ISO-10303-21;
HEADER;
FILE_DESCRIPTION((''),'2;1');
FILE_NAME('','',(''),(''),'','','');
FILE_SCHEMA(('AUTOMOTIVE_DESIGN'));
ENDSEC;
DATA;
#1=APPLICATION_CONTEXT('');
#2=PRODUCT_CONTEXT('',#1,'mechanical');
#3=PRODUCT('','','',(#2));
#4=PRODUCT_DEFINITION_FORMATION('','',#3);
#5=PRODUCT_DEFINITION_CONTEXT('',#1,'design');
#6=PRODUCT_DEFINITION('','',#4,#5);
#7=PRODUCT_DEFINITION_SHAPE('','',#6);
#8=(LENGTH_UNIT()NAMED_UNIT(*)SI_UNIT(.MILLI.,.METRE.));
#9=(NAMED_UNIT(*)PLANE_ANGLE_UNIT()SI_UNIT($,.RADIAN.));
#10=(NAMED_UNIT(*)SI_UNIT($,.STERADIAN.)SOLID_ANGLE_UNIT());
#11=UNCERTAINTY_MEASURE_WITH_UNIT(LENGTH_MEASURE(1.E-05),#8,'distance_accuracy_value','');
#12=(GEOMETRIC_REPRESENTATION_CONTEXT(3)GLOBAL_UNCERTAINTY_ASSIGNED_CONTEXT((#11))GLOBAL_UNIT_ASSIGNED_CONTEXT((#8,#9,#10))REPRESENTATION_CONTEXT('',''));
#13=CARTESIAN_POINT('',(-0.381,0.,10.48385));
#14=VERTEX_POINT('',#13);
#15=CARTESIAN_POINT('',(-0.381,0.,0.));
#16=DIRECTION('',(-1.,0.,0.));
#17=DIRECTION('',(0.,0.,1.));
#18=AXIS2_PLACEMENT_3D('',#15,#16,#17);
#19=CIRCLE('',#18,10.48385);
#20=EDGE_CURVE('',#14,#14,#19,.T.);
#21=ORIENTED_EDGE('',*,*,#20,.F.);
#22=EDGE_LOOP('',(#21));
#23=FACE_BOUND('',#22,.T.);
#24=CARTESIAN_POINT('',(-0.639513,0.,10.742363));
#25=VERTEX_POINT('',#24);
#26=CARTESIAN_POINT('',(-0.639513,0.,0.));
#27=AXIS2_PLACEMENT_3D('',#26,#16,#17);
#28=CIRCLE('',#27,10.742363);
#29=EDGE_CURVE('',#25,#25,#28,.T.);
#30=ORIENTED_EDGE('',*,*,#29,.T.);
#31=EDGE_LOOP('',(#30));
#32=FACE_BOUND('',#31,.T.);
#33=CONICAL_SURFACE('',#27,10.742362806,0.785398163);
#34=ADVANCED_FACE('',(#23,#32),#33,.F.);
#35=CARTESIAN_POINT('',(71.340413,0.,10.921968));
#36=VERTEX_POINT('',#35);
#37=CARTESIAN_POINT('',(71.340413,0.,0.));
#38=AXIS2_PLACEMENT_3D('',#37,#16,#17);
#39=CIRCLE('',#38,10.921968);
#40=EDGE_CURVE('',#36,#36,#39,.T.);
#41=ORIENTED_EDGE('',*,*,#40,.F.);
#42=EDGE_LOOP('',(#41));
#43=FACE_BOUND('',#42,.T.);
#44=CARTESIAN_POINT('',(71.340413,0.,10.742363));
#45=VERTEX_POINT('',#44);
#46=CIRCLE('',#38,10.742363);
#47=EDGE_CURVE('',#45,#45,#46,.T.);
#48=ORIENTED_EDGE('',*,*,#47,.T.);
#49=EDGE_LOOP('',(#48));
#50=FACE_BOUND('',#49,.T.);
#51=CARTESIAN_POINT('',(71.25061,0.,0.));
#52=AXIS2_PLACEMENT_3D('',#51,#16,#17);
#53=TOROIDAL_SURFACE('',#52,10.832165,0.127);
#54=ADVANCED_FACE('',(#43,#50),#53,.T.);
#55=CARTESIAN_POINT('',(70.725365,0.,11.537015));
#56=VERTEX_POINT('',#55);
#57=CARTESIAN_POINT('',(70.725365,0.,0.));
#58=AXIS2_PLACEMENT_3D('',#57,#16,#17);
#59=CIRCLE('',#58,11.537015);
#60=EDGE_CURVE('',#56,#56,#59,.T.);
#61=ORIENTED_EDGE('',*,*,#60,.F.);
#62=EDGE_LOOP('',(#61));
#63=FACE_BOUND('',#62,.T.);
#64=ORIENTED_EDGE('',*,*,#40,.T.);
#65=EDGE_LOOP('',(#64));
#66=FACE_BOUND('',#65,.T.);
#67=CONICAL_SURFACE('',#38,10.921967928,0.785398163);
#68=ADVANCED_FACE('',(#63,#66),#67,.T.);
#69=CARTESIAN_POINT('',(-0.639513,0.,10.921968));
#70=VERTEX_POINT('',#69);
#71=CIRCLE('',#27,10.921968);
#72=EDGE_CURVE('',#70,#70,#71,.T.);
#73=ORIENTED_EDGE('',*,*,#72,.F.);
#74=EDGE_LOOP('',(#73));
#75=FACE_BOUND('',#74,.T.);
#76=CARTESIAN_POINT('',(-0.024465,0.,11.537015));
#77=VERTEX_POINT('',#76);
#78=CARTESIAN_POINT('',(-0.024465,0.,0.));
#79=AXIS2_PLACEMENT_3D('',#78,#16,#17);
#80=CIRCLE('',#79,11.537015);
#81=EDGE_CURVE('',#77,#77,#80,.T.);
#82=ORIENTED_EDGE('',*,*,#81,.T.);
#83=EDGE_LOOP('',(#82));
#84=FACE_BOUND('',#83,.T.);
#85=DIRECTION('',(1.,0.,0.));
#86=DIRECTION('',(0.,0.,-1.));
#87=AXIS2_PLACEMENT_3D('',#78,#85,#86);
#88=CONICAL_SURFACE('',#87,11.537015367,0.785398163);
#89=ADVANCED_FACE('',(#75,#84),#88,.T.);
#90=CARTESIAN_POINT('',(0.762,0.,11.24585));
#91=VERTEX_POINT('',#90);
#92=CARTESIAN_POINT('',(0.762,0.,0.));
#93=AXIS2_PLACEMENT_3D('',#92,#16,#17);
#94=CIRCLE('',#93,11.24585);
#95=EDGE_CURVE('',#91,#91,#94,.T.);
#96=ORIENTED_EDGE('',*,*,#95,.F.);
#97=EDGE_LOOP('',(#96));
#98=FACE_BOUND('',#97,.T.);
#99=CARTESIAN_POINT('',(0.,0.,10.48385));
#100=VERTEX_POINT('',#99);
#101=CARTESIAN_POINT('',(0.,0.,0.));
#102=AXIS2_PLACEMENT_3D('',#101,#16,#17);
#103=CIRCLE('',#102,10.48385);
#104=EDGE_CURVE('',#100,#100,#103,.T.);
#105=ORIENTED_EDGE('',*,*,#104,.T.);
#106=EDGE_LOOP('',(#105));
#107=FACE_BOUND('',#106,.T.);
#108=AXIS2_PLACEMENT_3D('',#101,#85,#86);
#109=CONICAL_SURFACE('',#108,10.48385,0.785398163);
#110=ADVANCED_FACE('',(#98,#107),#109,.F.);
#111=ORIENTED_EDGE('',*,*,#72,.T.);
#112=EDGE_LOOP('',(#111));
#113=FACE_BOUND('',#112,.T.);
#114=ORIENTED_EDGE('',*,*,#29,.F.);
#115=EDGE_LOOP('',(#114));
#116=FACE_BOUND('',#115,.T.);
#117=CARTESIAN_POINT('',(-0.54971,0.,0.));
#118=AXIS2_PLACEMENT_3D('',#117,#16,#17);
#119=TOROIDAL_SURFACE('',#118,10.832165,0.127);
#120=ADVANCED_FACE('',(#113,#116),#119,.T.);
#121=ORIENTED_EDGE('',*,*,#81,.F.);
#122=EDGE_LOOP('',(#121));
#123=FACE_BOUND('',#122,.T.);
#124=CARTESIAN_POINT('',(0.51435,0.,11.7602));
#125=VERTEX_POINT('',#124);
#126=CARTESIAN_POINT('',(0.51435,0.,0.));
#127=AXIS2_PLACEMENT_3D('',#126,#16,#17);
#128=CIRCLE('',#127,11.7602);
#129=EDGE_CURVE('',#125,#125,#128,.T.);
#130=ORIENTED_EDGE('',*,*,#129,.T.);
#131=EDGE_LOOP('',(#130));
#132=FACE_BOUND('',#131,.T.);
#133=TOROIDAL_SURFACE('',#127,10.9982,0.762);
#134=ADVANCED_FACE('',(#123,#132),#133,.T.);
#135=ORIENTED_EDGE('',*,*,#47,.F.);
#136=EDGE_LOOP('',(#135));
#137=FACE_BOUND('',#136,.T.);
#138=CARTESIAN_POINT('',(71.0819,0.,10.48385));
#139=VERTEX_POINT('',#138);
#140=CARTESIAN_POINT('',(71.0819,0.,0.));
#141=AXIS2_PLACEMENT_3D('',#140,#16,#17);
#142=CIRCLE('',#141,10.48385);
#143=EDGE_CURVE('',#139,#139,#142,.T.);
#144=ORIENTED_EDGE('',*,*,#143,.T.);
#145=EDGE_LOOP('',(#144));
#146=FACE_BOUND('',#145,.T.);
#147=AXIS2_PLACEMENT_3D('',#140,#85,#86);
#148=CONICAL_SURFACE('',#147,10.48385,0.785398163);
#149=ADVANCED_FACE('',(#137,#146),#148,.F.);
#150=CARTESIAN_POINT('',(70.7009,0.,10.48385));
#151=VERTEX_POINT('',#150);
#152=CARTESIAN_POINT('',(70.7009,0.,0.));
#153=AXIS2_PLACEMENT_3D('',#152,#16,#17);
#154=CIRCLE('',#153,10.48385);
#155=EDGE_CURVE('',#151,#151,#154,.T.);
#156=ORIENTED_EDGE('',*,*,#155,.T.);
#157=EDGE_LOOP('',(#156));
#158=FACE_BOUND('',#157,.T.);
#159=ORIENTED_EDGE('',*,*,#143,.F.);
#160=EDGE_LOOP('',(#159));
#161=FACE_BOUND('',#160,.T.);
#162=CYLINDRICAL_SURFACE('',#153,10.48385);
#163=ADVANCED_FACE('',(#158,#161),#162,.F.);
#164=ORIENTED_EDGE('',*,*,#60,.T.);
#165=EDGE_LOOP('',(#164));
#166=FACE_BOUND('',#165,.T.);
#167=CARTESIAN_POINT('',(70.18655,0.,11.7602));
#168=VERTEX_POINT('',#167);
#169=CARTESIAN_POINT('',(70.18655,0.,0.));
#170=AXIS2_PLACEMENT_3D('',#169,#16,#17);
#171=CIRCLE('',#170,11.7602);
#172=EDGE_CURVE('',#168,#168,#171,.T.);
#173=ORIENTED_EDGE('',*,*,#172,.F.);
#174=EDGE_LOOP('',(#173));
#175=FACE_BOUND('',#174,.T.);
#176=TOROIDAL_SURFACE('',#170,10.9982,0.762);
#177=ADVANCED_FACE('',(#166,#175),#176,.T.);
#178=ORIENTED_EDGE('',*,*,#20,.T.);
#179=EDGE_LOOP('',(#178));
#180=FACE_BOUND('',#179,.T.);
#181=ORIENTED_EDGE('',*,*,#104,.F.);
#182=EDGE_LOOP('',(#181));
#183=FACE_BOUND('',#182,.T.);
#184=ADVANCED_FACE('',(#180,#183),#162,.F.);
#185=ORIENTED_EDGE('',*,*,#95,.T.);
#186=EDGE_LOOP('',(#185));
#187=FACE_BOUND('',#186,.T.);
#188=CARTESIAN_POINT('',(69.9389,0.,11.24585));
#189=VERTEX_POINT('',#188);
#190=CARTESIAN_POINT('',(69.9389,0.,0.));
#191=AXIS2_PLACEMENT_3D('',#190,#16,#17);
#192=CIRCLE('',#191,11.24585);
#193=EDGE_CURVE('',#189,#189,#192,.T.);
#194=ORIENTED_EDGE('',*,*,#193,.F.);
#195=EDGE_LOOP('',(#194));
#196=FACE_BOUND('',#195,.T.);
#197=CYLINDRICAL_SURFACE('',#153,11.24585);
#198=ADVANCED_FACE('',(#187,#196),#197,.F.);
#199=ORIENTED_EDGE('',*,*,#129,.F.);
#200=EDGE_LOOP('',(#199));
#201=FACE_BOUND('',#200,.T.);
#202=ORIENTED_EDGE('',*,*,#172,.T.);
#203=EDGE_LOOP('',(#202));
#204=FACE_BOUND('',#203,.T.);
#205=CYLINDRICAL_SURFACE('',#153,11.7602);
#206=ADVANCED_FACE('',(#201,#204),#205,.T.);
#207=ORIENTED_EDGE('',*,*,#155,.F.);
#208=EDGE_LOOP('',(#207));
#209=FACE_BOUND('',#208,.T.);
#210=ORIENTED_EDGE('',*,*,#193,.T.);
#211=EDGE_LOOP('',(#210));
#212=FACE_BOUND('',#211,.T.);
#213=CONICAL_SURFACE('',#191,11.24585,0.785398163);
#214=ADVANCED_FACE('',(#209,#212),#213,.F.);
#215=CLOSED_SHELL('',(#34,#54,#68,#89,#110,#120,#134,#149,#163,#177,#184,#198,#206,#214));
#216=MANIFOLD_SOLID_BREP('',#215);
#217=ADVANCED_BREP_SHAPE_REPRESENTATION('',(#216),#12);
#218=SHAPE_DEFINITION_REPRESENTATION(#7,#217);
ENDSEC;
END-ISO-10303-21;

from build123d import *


with BuildPart() as part:
    # Sketch1 → Revolve1 (revolve)
    with BuildSketch(Plane.XY):
        with BuildLine():
            Line((-0.639512806, 10.742362806), (-0.381, 10.48385))
            Line((-0.381, 10.48385), (0, 10.48385))
            Line((0, 10.48385), (0.762, 11.24585))
            Line((0.762, 11.24585), (69.9389, 11.24585))
            Line((69.9389, 11.24585), (70.7009, 10.48385))
            Line((70.7009, 10.48385), (71.0819, 10.48385))
            Line((71.0819, 10.48385), (71.340412806, 10.742362806))
            ThreePointArc((71.340412806, 10.742362806), (71.377610245, 10.832165367), (71.340412806, 10.921967928))
            Line((71.340412806, 10.921967928), (70.725365367, 11.537015367))
            ThreePointArc((70.725365367, 11.537015367), (70.478154775, 11.702196204), (70.18655, 11.7602))
            Line((70.18655, 11.7602), (0.51435, 11.7602))
            ThreePointArc((0.51435, 11.7602), (0.222745225, 11.702196204), (-0.024465367, 11.537015367))
            Line((-0.024465367, 11.537015367), (-0.639512806, 10.921967928))
            ThreePointArc((-0.639512806, 10.921967928), (-0.676710245, 10.832165367), (-0.639512806, 10.742362806))
        make_face()
    revolve(axis=Axis((70.7009, 0, 0), (-1, 0, 0)))


solid = part.part
